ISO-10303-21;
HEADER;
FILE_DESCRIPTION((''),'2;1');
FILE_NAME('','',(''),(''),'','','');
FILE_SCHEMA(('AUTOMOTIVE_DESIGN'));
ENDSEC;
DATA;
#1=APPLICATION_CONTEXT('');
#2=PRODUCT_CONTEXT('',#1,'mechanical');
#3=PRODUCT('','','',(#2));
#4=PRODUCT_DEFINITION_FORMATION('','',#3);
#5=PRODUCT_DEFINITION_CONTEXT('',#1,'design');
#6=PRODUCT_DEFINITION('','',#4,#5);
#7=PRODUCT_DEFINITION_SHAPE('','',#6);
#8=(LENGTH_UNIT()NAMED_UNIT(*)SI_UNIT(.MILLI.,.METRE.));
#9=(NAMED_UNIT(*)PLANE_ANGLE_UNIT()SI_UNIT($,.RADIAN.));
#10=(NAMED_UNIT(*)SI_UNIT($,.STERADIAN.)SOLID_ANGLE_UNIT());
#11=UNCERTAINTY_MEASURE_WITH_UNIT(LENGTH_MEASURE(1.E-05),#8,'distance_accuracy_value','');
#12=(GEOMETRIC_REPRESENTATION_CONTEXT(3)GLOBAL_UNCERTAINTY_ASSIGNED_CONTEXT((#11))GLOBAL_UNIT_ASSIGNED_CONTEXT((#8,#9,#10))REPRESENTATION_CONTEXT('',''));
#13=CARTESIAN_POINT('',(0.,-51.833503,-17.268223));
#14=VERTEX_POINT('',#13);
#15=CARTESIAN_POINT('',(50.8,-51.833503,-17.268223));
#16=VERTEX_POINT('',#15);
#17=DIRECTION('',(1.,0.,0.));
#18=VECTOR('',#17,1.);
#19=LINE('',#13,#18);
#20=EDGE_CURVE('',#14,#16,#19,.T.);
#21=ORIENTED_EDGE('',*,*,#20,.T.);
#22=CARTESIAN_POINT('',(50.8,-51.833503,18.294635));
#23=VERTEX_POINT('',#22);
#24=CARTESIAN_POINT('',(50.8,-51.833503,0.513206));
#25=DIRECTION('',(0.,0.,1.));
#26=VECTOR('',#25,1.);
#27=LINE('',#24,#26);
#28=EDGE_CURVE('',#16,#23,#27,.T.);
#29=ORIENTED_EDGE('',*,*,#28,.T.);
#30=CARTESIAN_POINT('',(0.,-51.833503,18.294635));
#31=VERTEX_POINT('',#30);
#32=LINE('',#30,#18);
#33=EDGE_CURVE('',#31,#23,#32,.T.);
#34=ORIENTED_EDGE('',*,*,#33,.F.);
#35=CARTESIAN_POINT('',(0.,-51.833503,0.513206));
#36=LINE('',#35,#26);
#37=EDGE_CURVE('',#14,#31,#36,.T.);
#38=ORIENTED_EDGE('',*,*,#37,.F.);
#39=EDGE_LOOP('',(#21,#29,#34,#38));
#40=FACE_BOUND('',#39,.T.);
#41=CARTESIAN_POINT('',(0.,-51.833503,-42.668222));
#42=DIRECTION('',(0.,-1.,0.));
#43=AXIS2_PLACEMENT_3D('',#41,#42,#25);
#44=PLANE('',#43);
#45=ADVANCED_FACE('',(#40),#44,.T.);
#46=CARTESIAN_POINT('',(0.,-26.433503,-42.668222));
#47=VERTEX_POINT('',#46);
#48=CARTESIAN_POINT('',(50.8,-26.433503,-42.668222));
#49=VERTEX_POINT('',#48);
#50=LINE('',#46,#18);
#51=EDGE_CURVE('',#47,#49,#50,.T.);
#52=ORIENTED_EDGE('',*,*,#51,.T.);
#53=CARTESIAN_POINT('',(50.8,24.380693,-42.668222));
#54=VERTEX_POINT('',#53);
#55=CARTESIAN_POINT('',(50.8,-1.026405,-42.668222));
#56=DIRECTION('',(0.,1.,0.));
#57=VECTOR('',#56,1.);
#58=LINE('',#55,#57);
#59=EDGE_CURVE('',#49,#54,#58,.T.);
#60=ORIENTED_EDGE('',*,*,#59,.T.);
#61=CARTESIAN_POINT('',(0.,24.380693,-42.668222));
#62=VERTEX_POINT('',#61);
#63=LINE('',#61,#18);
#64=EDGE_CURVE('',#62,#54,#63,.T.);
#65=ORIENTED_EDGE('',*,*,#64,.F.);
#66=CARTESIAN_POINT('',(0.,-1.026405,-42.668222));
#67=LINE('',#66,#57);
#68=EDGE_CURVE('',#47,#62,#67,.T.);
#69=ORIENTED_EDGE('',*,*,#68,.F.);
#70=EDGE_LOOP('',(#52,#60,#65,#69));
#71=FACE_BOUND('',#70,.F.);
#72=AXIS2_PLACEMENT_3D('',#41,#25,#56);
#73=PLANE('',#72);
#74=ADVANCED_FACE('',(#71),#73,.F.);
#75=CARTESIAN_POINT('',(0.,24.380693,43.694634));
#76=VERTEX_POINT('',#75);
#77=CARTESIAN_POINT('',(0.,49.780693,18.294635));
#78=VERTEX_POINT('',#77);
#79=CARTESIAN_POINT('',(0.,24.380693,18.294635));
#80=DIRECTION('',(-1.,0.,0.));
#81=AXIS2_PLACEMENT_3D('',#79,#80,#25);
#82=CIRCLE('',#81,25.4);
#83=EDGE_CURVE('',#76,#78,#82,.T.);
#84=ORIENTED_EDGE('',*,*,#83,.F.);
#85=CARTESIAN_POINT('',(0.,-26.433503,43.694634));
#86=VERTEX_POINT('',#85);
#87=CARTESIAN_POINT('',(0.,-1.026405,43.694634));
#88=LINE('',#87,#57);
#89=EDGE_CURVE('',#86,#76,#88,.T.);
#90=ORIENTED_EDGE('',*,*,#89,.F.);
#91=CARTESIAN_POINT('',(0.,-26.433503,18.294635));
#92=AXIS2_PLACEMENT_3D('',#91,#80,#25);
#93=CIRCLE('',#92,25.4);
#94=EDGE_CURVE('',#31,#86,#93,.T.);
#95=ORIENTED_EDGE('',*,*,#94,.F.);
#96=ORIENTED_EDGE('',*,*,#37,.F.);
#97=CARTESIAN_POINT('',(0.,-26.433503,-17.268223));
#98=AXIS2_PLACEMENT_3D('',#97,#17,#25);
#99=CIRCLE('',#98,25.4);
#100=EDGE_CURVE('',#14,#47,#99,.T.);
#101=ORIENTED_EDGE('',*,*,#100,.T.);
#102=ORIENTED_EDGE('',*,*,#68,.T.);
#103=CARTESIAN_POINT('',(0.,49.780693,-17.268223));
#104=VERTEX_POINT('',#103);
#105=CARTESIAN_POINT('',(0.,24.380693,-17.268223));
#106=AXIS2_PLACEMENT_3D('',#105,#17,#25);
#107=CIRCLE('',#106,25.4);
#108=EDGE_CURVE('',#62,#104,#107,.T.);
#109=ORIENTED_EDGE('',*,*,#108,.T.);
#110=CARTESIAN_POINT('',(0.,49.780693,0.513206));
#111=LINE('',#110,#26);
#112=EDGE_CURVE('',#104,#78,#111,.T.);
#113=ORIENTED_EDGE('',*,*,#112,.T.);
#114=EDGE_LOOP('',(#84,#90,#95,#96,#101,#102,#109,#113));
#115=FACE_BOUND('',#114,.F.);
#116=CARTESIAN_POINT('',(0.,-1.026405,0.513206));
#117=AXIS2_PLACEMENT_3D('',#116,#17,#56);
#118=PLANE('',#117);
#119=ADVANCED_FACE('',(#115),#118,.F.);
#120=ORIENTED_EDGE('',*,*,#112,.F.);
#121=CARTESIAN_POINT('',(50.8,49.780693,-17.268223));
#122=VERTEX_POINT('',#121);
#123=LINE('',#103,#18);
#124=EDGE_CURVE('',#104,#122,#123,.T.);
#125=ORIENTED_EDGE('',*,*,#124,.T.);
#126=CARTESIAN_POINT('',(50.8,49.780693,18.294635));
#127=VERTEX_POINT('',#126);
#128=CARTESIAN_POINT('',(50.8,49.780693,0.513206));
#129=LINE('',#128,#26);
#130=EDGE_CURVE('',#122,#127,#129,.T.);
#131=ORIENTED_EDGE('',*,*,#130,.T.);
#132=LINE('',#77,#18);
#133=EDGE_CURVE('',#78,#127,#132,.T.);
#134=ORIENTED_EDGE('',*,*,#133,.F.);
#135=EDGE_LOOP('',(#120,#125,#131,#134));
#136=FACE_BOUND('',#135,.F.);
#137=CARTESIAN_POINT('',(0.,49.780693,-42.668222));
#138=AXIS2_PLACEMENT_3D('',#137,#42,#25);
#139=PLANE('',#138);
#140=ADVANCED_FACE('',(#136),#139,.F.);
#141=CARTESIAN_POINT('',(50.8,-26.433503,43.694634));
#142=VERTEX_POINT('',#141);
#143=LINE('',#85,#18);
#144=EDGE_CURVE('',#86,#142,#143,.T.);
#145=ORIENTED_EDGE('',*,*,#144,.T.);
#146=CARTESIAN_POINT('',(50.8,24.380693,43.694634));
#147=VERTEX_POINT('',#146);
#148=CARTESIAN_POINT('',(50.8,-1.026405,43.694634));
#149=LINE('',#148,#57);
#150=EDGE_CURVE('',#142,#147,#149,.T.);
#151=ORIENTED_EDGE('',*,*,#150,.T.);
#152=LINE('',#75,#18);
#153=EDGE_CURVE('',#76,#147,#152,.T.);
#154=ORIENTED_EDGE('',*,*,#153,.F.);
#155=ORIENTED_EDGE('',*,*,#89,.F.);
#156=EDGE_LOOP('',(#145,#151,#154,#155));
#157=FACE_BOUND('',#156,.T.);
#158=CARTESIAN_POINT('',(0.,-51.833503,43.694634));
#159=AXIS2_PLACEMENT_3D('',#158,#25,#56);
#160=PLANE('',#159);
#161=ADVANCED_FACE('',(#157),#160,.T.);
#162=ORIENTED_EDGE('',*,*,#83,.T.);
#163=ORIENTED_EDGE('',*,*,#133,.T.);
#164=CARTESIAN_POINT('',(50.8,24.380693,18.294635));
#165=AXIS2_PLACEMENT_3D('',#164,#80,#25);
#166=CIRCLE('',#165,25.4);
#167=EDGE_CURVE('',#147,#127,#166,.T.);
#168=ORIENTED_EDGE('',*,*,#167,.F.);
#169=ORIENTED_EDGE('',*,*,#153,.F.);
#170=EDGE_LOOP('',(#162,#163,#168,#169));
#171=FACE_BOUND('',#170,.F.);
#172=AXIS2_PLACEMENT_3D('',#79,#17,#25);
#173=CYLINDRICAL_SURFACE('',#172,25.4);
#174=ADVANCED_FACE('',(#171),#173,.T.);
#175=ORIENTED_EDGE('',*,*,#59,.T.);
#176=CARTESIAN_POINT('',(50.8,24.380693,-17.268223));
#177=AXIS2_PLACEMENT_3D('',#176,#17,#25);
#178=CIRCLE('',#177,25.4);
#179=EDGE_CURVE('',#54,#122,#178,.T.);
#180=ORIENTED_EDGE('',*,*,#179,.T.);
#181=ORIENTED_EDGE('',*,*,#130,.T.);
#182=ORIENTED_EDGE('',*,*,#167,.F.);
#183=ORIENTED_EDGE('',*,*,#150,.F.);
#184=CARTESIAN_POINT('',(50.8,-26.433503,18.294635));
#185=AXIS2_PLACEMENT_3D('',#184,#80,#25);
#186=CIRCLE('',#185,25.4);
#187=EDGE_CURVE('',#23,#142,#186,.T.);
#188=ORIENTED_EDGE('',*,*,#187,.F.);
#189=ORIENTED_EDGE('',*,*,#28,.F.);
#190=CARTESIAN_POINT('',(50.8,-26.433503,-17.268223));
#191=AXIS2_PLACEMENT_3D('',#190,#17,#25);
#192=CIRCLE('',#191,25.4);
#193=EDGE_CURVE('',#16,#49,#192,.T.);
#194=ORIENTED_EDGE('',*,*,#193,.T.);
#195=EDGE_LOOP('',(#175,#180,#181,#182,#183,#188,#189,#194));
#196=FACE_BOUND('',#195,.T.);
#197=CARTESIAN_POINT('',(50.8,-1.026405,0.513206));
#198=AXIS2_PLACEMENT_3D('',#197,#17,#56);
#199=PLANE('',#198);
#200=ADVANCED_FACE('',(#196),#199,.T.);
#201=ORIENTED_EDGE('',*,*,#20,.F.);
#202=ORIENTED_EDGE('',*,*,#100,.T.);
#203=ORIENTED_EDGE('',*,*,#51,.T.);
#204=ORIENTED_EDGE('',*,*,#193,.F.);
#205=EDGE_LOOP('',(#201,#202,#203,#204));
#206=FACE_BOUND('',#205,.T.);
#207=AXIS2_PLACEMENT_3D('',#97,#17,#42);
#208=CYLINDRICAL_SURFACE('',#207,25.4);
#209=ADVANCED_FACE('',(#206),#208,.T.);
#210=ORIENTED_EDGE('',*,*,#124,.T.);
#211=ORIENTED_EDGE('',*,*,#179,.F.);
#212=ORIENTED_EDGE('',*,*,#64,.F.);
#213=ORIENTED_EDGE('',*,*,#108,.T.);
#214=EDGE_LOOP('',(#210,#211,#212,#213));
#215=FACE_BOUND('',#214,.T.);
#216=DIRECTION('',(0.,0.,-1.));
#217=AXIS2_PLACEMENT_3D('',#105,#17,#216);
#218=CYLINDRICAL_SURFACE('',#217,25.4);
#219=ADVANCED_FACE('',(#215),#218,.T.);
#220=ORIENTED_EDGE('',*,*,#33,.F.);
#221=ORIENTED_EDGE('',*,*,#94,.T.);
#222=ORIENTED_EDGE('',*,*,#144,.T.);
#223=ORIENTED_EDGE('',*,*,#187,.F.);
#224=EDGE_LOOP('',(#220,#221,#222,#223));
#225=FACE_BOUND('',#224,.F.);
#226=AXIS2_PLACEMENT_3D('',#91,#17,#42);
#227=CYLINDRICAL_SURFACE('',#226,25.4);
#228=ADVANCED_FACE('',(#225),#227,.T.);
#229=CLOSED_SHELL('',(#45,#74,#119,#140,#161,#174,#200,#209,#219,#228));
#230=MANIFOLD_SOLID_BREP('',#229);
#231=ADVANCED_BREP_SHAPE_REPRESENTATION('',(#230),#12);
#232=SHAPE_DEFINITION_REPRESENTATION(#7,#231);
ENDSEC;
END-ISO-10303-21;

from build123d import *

# Parameters (mm, degrees)
F0_W     = 101.614196
F0_H     = 86.362857
F1_DEPTH = 50.8
F2_R     = 25.4
F3_R     = 25.4


with BuildPart() as f1:
    # F0 (on Right) → F1 (new body)
    with BuildSketch(Plane.YZ):
        with Locations((-1.026405, 0.513206)):
            Rectangle(F0_W, F0_H)
    extrude(amount=F1_DEPTH)

    # F2
    f2_edges = [f1.edges().sort_by_distance(p)[0] for p in [
        (25.4, -51.833503, 43.694634),
    ]]
    fillet(f2_edges, radius=F2_R)

    # F3
    f3_edges = [f1.edges().sort_by_distance(p)[0] for p in [
        (25.4, 49.780693, 43.694634),
        (25.4, -51.833503, -42.668223),
        (25.4, 49.780693, -42.668223),
    ]]
    fillet(f3_edges, radius=F3_R)


solid = f1.part
